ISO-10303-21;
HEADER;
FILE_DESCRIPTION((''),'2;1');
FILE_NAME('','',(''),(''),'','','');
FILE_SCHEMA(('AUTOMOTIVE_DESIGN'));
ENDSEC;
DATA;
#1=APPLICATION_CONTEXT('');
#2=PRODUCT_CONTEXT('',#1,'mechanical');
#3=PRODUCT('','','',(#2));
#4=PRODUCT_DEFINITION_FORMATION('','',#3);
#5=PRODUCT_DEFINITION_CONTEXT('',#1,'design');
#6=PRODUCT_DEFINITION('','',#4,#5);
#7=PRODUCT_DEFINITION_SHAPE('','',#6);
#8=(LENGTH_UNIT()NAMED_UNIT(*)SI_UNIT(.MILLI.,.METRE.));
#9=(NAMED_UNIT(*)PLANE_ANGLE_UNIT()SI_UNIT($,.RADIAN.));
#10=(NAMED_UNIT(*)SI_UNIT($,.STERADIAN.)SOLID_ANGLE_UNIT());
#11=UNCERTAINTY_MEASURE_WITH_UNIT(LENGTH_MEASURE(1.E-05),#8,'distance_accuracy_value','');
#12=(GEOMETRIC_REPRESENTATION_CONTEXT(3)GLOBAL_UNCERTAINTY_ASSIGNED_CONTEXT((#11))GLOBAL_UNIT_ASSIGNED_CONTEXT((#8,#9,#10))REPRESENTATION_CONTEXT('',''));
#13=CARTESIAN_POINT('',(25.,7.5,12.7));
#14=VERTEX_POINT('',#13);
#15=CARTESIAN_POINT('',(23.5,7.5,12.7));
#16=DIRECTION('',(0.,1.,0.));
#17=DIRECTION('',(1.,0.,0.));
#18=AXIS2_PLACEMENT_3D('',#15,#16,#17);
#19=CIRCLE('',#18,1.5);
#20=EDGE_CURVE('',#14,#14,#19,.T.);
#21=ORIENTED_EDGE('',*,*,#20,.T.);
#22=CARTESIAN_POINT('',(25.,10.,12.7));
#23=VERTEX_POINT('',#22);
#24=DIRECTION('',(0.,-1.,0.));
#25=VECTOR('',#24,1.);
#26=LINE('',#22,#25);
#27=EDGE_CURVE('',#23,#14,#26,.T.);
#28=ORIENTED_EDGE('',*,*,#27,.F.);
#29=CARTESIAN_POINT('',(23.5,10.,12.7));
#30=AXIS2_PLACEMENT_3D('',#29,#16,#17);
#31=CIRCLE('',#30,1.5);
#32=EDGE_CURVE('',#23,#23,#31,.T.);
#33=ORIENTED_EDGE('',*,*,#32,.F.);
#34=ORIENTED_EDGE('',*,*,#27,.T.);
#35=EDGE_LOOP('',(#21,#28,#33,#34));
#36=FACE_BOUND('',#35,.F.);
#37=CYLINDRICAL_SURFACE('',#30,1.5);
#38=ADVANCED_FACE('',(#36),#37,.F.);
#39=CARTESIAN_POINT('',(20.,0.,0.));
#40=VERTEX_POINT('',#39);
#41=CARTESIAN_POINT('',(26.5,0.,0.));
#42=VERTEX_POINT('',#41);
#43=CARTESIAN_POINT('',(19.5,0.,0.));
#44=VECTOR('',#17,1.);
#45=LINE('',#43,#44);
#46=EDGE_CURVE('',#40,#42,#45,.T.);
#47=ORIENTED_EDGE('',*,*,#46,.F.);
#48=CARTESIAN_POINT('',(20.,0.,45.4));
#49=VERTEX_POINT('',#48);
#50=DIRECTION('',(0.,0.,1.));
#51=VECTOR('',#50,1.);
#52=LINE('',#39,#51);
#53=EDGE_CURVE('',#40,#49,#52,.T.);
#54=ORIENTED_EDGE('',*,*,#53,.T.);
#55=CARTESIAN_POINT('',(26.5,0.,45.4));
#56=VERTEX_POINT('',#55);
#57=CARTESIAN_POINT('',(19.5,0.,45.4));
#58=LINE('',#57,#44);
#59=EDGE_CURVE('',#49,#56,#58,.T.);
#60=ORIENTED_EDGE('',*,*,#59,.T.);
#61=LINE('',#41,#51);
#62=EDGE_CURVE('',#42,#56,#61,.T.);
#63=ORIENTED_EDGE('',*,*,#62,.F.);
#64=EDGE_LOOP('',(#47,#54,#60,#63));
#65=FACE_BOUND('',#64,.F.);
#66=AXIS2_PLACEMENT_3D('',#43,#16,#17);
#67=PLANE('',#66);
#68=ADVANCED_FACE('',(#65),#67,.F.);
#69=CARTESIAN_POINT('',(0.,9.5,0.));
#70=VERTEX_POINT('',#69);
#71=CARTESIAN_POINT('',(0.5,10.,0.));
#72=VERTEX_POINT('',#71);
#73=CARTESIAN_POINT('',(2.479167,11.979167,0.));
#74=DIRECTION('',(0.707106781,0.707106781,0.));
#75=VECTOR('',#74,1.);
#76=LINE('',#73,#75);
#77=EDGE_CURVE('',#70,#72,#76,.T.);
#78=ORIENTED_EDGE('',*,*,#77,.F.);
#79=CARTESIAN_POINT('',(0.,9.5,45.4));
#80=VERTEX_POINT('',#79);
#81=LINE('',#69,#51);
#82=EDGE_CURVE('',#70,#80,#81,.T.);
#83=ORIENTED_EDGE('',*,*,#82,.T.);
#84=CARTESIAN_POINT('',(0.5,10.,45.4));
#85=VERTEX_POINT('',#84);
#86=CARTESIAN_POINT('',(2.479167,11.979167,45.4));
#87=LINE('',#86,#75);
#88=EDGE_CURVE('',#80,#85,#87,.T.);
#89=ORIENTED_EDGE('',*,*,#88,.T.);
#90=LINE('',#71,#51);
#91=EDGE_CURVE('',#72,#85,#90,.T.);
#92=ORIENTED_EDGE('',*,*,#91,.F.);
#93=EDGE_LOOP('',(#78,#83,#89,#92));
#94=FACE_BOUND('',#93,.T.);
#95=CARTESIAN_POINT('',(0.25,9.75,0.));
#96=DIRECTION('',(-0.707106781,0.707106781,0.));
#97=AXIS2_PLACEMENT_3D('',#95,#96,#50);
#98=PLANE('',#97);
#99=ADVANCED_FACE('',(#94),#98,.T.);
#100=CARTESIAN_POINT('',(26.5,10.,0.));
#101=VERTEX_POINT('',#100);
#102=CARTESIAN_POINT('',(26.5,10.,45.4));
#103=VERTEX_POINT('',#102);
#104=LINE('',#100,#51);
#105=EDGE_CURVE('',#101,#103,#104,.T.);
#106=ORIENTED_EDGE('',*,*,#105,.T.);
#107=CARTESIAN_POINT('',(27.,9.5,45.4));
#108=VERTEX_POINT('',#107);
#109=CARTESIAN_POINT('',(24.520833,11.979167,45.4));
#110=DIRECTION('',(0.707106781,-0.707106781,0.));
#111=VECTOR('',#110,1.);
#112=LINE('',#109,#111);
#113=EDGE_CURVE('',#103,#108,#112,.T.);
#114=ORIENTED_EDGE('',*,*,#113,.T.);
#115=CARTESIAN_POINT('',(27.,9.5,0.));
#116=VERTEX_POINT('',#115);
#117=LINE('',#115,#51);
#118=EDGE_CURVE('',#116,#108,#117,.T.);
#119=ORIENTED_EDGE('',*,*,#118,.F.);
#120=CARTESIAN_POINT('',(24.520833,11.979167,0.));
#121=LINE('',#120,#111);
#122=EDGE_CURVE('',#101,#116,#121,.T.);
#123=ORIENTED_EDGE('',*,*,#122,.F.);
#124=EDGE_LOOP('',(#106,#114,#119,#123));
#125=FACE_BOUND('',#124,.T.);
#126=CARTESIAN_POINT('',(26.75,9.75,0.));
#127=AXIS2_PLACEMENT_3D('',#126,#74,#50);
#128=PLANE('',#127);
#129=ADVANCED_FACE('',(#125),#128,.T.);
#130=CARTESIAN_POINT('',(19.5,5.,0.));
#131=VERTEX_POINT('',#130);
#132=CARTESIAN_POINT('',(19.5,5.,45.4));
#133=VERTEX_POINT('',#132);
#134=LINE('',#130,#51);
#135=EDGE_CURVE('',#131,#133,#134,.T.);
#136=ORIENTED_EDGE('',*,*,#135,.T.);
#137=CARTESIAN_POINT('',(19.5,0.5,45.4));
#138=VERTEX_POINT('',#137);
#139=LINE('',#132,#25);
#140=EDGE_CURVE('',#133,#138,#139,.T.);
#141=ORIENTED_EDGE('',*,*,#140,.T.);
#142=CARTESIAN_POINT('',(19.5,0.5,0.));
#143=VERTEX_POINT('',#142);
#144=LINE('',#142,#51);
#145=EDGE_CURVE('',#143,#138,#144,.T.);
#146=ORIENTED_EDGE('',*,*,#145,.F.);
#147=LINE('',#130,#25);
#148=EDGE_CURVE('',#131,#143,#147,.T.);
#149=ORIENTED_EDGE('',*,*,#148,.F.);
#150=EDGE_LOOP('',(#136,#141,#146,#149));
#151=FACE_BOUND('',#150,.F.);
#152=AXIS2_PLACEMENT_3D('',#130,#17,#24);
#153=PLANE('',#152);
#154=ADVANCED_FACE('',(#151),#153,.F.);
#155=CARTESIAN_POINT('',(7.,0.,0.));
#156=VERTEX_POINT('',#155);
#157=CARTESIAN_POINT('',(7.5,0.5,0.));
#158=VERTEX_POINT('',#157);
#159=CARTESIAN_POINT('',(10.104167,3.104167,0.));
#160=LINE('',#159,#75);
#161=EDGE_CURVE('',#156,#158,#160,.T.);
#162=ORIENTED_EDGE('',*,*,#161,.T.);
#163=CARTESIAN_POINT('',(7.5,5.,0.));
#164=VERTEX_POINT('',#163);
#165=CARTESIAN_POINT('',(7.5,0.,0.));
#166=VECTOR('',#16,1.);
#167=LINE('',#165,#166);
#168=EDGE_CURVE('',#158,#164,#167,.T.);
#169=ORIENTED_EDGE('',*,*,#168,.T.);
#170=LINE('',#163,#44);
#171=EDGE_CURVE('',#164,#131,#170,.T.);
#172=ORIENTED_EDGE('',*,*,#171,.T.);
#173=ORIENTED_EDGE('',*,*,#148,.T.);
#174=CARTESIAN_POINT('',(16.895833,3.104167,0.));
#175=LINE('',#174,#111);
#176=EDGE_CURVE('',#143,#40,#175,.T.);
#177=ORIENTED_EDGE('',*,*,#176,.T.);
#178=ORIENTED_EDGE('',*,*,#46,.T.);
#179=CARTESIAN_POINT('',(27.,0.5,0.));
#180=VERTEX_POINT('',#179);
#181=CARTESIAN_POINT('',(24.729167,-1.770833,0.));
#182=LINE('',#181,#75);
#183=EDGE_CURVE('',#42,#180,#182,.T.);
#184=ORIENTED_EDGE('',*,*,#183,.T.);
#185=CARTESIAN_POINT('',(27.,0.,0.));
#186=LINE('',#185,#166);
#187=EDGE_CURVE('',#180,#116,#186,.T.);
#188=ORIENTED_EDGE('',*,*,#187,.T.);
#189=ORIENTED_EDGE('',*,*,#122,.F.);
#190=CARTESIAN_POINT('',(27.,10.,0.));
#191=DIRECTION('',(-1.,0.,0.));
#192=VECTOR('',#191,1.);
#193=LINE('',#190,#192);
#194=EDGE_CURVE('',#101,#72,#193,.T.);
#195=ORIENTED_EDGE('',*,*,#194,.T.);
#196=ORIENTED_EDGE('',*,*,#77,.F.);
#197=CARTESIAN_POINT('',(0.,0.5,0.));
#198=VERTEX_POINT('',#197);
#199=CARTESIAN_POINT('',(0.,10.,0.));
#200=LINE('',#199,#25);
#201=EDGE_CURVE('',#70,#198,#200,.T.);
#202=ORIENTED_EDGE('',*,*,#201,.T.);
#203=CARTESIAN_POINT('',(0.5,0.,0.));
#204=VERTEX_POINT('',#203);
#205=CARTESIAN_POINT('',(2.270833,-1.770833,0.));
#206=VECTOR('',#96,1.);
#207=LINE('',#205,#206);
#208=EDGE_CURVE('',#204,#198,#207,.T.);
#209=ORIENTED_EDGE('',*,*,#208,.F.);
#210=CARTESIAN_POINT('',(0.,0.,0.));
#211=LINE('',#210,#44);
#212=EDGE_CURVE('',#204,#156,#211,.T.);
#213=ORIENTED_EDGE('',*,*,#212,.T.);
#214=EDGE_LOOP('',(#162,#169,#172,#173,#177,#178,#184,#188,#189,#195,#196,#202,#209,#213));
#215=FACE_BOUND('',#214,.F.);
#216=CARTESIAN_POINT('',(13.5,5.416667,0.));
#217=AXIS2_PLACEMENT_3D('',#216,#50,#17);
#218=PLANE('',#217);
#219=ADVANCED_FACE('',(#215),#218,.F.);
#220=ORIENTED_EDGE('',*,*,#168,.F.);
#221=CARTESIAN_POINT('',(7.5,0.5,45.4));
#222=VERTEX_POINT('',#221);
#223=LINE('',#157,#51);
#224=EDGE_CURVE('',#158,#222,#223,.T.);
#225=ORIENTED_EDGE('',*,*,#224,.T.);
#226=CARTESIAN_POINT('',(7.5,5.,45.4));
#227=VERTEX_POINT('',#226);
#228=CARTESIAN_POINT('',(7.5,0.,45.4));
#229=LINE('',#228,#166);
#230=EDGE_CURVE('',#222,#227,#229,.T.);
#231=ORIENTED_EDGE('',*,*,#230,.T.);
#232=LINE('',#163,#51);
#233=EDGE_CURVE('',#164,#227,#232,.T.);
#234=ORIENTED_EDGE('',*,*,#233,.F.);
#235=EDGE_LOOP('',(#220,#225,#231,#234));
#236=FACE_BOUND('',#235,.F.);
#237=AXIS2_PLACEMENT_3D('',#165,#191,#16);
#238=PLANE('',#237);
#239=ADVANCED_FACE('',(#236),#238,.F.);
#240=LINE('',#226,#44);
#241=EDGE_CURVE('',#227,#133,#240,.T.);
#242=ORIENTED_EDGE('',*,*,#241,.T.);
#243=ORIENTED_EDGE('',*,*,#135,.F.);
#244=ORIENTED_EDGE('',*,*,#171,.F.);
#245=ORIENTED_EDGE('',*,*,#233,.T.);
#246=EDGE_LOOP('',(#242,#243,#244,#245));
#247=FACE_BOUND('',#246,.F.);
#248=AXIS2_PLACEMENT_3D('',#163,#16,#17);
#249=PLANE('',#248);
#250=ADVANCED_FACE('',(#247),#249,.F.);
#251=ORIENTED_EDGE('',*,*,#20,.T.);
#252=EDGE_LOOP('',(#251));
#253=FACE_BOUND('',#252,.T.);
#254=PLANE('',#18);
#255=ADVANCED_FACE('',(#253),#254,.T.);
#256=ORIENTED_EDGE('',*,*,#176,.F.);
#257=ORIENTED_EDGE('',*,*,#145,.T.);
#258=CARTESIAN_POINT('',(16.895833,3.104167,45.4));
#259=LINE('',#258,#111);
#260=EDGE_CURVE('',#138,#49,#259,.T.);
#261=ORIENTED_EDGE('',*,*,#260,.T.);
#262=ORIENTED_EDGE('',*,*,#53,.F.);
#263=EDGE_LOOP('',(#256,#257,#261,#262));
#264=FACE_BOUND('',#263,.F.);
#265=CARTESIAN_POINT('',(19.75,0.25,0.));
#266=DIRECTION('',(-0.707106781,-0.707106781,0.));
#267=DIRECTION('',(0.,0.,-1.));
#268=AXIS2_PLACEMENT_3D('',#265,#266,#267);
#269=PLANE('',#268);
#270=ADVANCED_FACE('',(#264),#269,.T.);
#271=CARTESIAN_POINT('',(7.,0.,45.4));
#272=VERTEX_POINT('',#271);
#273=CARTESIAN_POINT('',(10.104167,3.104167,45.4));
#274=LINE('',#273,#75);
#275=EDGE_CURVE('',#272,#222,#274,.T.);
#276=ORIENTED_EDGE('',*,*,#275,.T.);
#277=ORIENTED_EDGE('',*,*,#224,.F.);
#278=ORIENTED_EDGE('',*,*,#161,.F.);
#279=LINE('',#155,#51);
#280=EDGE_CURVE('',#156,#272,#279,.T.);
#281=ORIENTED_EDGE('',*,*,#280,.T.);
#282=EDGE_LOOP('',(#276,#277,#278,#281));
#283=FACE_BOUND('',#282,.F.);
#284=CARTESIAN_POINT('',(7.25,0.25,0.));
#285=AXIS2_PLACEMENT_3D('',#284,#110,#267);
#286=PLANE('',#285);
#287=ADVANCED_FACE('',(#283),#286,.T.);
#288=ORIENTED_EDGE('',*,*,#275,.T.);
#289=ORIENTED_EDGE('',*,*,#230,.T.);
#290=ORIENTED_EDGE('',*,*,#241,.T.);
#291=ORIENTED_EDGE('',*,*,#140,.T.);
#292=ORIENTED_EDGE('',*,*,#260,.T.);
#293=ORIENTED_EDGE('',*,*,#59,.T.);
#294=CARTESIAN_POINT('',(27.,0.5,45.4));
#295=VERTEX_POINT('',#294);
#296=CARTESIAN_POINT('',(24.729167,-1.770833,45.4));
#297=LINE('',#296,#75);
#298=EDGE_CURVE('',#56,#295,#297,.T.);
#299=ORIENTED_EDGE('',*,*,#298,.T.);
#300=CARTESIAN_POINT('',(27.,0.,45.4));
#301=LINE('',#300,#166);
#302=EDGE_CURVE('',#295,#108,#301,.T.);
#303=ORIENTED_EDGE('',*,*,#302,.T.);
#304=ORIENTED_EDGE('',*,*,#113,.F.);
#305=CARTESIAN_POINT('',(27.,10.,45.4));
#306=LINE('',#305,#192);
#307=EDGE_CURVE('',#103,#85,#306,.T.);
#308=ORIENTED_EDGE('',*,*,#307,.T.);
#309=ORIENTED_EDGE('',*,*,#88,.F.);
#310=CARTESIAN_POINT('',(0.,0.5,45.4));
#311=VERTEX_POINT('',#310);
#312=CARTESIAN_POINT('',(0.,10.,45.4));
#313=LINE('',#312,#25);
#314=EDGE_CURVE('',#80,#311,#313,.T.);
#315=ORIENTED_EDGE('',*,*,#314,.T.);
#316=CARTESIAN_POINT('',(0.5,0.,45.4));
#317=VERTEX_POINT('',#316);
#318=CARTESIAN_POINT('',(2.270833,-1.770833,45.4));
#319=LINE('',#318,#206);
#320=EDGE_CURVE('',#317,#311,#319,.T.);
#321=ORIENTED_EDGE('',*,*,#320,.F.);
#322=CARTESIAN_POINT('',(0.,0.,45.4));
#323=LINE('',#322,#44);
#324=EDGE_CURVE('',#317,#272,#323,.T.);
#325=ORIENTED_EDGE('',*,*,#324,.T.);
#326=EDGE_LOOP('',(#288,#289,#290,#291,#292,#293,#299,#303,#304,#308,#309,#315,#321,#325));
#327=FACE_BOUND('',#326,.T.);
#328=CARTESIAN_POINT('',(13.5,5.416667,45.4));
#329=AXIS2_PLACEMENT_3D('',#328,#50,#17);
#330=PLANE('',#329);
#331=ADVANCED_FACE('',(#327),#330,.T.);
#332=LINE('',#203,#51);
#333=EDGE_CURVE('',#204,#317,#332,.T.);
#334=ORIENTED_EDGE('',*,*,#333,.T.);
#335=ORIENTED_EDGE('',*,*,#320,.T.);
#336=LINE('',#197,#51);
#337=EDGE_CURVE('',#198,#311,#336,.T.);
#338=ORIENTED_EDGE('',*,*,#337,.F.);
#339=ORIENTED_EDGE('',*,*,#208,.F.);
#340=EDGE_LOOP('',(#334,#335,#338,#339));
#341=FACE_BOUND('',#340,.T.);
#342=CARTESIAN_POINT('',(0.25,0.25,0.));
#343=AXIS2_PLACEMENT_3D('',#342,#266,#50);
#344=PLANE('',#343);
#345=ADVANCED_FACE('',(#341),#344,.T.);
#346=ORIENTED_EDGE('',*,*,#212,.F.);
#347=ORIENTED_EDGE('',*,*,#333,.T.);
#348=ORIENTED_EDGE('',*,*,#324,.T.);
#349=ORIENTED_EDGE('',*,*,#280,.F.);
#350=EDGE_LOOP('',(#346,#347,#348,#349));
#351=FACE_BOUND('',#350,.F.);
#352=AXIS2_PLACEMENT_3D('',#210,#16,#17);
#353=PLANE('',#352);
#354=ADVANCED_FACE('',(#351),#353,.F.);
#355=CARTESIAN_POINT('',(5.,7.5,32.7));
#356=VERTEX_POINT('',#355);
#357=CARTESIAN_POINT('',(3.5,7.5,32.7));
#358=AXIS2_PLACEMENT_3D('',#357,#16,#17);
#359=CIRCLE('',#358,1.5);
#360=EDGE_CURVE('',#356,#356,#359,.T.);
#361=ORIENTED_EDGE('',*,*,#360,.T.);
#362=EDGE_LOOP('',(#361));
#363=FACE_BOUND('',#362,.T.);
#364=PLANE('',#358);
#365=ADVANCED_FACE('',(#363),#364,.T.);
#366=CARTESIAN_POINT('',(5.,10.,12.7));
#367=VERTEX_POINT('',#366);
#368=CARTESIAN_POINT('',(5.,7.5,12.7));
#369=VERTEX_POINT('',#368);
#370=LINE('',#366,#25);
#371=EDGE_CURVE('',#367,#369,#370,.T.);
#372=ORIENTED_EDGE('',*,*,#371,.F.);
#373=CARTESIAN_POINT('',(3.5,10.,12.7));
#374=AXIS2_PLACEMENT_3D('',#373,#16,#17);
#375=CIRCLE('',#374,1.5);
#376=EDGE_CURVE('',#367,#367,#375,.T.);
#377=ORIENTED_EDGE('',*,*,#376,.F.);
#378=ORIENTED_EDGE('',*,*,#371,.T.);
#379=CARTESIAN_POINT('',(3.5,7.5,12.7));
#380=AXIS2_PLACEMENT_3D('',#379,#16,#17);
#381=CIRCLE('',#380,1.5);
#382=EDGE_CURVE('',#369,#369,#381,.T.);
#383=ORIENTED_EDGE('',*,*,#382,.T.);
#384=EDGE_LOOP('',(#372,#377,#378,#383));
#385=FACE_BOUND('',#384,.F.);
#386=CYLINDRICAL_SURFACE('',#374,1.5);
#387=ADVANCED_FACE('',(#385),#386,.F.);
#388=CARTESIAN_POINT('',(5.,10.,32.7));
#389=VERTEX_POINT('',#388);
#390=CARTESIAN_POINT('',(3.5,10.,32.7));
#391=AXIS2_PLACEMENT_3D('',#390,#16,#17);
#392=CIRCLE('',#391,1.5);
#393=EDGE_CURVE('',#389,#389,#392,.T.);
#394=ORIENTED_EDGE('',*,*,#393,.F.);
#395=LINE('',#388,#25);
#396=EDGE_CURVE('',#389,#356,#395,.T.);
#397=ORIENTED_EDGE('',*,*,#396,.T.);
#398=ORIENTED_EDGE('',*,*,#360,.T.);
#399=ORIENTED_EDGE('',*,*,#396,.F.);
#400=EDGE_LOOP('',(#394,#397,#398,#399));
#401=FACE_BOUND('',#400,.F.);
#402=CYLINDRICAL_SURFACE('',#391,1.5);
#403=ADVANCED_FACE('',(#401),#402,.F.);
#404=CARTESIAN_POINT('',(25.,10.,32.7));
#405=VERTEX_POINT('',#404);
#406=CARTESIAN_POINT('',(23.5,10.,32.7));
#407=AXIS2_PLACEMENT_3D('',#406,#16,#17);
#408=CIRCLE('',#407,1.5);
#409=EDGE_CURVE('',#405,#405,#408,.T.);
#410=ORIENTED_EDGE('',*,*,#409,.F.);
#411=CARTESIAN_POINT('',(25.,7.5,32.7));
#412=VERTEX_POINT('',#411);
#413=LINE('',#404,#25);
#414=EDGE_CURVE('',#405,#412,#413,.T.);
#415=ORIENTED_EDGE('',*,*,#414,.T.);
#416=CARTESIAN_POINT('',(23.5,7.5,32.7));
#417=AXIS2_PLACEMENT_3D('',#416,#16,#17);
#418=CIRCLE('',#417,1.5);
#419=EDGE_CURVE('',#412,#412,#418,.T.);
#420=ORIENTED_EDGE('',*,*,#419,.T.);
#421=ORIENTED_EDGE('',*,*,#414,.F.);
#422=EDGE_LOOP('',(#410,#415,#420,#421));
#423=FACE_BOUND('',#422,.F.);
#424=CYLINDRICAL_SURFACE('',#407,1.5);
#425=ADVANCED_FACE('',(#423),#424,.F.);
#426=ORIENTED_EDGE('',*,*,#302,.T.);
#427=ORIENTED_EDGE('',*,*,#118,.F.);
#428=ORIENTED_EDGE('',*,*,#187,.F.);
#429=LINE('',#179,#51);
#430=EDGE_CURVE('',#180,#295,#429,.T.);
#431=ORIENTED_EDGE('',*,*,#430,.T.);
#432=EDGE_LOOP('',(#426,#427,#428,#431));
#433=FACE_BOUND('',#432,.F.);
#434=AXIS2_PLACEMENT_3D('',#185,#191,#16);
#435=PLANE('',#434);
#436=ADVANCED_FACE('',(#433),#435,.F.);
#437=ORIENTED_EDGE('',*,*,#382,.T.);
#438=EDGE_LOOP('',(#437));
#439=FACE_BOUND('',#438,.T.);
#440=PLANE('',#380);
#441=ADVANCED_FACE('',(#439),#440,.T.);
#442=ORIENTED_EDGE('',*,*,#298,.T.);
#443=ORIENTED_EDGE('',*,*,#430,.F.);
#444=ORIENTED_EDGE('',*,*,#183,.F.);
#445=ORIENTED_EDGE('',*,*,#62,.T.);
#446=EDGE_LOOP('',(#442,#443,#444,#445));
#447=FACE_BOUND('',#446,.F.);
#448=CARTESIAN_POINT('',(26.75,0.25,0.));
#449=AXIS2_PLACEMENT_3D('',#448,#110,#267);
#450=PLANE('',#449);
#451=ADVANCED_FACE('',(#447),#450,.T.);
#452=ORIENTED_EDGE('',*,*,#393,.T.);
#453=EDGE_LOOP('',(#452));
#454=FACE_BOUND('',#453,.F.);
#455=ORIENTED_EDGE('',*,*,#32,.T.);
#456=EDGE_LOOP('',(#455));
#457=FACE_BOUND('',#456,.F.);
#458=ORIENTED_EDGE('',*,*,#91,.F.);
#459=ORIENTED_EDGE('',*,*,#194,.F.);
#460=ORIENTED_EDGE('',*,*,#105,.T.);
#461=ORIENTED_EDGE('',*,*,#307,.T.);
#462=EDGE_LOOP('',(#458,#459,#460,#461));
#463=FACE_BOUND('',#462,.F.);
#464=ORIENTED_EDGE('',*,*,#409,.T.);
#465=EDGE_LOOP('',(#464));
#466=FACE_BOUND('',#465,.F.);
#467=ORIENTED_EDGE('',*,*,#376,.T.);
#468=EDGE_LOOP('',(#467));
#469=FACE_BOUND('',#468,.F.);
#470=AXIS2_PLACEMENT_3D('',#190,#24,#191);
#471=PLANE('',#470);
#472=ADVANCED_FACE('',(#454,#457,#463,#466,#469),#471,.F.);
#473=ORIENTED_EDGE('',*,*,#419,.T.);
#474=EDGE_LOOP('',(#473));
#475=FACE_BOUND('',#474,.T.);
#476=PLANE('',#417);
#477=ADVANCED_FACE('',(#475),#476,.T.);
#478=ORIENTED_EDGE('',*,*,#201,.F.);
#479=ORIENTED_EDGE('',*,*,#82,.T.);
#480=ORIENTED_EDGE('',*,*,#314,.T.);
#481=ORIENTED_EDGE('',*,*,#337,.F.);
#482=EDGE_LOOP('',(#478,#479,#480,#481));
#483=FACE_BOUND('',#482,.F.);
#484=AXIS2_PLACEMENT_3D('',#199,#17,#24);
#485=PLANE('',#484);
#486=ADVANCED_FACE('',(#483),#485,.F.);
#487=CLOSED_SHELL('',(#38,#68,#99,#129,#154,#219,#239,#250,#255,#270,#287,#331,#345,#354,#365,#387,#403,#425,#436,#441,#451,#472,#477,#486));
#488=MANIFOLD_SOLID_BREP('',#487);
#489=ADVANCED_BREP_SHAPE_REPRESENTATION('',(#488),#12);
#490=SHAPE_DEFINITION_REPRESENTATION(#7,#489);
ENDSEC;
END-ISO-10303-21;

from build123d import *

# Parameters (mm, degrees)
EXTRUDE_1_DEPTH     = 45.4
SKETCH_2_R          = 1.5
CUT_EXTRUDE_1_DEPTH = 2.5
CHAMFER_1_SIZE      = 0.5


with BuildPart() as part:
    # 草图1 → 凸台-拉伸1 (new body)
    with BuildSketch(Plane.XY):
        Polygon((0, 0), (7.5, 0), (7.5, 5), (19.5, 5), (19.5, 0), (27, 0), (27, 10), (0, 10), align=None)
    extrude(amount=EXTRUDE_1_DEPTH)

    # 草图2 → 切除-拉伸1 (cut)
    with BuildSketch(Plane(origin=(0, 10, 0), x_dir=(1, 0, 0), z_dir=(0, 1, 0))):
        with Locations((23.5, -12.7)):
            Circle(SKETCH_2_R)
        with Locations((3.5, -12.7)):
            Circle(SKETCH_2_R)
        with Locations((23.5, -32.7)):
            Circle(SKETCH_2_R)
        with Locations((3.5, -32.7)):
            Circle(SKETCH_2_R)
    extrude(amount=-CUT_EXTRUDE_1_DEPTH, mode=Mode.SUBTRACT)

    # 倒角1
    chamfer_1_edges = [part.edges().sort_by_distance(p)[0] for p in [
        (0, 10, 22.7),
        (27, 10, 22.7),
        (27, 0, 22.7),
        (19.5, 0, 22.7),
        (7.5, 0, 22.7),
        (0, 0, 22.7),
    ]]
    chamfer(chamfer_1_edges, length=CHAMFER_1_SIZE)


solid = part.part
